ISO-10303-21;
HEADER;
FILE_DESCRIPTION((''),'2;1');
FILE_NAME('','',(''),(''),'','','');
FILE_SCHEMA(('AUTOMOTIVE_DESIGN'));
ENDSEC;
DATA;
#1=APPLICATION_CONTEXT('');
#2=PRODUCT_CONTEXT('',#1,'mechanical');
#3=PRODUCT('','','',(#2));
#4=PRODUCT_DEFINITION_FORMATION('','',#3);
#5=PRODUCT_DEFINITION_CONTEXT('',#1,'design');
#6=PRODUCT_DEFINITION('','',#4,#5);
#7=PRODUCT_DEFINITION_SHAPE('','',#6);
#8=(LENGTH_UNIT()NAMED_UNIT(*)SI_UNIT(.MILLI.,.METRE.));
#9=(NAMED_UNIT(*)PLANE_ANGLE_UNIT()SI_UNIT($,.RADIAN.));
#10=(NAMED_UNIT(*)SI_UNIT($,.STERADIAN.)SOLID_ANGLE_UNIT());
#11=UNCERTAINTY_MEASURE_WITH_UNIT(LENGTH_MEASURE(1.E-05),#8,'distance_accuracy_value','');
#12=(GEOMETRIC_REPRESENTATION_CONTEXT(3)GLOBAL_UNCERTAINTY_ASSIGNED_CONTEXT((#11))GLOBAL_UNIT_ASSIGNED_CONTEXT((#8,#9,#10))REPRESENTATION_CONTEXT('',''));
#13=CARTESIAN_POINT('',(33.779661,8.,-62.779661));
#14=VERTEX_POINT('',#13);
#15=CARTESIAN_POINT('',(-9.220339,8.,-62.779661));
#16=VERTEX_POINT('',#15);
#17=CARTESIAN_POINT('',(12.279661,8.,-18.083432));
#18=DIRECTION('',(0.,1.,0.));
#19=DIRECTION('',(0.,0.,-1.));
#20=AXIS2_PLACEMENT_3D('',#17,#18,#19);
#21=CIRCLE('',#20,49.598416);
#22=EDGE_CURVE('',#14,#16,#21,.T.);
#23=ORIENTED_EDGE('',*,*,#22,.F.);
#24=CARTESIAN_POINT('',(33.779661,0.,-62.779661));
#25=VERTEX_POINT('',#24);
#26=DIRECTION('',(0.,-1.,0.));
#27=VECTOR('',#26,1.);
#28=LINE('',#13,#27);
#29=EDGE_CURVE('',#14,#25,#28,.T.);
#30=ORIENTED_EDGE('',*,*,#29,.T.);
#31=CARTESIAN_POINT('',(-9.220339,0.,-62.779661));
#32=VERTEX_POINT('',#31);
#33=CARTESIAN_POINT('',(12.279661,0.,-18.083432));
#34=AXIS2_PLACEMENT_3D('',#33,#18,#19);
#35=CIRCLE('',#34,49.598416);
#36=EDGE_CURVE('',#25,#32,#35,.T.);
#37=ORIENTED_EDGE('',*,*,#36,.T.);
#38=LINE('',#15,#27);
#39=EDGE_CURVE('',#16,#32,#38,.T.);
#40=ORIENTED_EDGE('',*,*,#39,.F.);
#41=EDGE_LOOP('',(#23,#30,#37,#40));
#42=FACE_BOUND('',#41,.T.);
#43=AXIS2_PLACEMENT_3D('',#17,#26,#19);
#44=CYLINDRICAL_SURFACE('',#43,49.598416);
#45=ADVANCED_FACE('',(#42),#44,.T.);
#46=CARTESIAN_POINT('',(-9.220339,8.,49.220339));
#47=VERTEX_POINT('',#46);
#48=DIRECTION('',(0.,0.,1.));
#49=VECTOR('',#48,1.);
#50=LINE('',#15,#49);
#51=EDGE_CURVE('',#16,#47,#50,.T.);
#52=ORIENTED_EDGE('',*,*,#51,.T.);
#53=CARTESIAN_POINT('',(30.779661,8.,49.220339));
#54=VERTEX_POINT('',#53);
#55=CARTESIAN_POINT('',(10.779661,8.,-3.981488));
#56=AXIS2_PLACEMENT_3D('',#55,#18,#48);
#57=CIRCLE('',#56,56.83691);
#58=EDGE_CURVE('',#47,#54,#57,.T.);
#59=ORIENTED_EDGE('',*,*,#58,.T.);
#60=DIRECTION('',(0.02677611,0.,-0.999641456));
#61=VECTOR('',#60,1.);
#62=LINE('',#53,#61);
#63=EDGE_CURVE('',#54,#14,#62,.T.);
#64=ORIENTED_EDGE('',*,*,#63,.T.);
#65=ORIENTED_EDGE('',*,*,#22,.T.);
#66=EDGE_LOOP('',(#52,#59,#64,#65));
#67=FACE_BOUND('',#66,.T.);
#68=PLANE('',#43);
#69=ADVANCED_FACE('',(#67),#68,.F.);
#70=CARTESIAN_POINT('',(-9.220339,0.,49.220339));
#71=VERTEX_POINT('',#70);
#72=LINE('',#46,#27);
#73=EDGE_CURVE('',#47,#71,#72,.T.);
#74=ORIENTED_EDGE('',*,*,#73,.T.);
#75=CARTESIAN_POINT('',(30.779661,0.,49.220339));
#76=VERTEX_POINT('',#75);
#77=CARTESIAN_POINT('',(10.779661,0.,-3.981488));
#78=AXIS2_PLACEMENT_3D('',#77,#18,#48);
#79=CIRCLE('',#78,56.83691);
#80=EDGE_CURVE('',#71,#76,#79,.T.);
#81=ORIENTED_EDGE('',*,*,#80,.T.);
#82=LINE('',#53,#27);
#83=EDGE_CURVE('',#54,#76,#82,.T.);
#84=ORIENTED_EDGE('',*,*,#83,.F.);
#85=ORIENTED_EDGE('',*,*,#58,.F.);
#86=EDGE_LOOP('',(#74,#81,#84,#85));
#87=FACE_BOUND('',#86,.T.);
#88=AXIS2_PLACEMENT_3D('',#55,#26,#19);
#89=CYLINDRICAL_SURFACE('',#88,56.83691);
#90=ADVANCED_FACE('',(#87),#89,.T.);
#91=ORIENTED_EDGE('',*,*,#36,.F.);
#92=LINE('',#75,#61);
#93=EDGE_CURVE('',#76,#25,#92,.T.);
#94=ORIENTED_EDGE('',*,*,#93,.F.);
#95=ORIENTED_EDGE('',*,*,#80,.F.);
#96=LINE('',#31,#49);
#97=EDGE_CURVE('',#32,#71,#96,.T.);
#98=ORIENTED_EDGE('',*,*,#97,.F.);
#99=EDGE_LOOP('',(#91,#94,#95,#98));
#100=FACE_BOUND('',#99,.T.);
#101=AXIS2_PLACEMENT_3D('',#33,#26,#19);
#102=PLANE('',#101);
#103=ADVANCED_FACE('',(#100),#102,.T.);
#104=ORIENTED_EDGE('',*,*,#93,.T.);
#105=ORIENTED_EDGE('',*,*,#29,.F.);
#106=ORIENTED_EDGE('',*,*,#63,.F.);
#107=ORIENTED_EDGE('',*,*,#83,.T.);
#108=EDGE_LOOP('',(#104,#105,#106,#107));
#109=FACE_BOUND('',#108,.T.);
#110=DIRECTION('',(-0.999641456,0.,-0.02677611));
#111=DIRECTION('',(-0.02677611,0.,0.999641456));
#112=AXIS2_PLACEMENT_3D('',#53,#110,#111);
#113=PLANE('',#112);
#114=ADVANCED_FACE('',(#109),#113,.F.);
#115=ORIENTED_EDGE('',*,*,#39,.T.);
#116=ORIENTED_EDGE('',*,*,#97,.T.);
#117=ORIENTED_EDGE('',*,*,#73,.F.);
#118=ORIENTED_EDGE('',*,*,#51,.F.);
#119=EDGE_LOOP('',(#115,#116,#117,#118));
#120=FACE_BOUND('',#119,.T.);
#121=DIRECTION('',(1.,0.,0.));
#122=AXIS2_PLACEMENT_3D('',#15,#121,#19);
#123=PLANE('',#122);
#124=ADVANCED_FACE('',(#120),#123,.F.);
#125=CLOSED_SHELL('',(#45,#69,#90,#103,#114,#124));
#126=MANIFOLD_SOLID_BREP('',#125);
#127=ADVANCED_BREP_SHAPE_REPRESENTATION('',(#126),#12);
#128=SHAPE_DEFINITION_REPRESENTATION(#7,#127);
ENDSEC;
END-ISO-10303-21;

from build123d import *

# Parameters (mm, degrees)
BOSS_EXTRUDE2_DEPTH = 8


with BuildPart() as part:
    # Sketch1 → Boss-Extrude2 (new body)
    with BuildSketch(Plane(origin=(0, 0, 0), x_dir=(1, 0, 0), z_dir=(0, 1, 0))):
        with BuildLine():
            Line((-9.220338983, 62.779661017), (-9.220338983, -49.220338983))
            ThreePointArc((-9.220338983, -49.220338983), (10.779661017, -52.855422504), (30.779661017, -49.220338983))
            Line((30.779661017, -49.220338983), (33.779661017, 62.779661017))
            ThreePointArc((33.779661017, 62.779661017), (12.279661017, 67.681848201), (-9.220338983, 62.779661017))
        make_face()
    extrude(amount=BOSS_EXTRUDE2_DEPTH)


solid = part.part
